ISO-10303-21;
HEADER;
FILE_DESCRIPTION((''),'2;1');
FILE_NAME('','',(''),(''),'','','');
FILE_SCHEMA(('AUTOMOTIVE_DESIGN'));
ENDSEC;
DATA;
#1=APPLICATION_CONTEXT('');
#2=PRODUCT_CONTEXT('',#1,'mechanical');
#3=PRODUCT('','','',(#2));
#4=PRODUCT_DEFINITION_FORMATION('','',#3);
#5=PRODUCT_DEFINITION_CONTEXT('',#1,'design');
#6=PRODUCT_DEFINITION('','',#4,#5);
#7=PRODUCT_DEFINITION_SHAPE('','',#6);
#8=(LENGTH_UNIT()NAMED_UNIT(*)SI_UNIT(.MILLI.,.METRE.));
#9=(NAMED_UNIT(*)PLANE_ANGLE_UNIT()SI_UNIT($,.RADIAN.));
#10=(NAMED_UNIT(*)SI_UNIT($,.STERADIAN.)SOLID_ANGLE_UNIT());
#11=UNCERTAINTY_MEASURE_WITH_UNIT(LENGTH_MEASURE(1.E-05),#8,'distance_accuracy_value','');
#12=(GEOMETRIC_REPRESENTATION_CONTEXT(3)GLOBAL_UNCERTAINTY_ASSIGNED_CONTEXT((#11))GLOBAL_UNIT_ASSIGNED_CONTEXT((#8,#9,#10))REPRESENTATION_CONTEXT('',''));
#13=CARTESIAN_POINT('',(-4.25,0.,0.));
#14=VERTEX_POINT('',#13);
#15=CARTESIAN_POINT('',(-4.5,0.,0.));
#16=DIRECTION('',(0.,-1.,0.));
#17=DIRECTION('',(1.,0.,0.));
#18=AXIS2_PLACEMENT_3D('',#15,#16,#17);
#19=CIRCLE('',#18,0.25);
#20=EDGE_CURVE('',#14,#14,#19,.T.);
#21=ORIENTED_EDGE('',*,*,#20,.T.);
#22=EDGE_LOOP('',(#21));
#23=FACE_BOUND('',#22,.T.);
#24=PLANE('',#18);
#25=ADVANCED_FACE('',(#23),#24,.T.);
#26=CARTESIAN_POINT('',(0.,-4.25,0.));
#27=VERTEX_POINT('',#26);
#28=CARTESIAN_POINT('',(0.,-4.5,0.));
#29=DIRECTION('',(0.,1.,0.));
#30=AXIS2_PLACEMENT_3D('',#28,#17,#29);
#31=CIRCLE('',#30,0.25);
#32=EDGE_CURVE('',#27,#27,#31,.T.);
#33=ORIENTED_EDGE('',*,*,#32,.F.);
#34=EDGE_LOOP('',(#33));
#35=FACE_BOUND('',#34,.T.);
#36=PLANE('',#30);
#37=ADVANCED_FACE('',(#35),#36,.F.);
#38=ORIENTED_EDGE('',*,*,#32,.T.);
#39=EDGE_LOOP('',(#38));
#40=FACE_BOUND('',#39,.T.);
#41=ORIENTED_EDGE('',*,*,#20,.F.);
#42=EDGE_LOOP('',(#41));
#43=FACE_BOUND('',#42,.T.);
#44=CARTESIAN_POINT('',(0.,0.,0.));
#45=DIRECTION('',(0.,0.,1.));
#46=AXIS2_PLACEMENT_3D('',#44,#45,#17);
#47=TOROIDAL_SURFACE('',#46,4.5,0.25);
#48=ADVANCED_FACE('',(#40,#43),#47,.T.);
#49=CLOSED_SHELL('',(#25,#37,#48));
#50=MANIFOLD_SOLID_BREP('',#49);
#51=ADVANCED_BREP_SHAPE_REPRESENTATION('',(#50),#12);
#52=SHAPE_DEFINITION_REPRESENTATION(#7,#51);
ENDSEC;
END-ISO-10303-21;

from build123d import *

# Parameters (mm, degrees)
VARREDURA1_PROFILE_R = 0.25


with BuildPart() as part:
    # Varredura1: sweep along a path in Esboço1
    with BuildLine(Plane.XY) as varredura1_path:
        ThreePointArc((0, -4.5), (3.181980515, 3.181980515), (-4.5, 0))
    # Varredura1 profile (on start of the path) → Varredura1 (sweep)
    with BuildSketch(Plane(origin=(0, -4.5, 0), x_dir=(0, 1, 0), z_dir=(1, 0, 0))):
        Circle(VARREDURA1_PROFILE_R)
    sweep(path=varredura1_path.line)


solid = part.part
